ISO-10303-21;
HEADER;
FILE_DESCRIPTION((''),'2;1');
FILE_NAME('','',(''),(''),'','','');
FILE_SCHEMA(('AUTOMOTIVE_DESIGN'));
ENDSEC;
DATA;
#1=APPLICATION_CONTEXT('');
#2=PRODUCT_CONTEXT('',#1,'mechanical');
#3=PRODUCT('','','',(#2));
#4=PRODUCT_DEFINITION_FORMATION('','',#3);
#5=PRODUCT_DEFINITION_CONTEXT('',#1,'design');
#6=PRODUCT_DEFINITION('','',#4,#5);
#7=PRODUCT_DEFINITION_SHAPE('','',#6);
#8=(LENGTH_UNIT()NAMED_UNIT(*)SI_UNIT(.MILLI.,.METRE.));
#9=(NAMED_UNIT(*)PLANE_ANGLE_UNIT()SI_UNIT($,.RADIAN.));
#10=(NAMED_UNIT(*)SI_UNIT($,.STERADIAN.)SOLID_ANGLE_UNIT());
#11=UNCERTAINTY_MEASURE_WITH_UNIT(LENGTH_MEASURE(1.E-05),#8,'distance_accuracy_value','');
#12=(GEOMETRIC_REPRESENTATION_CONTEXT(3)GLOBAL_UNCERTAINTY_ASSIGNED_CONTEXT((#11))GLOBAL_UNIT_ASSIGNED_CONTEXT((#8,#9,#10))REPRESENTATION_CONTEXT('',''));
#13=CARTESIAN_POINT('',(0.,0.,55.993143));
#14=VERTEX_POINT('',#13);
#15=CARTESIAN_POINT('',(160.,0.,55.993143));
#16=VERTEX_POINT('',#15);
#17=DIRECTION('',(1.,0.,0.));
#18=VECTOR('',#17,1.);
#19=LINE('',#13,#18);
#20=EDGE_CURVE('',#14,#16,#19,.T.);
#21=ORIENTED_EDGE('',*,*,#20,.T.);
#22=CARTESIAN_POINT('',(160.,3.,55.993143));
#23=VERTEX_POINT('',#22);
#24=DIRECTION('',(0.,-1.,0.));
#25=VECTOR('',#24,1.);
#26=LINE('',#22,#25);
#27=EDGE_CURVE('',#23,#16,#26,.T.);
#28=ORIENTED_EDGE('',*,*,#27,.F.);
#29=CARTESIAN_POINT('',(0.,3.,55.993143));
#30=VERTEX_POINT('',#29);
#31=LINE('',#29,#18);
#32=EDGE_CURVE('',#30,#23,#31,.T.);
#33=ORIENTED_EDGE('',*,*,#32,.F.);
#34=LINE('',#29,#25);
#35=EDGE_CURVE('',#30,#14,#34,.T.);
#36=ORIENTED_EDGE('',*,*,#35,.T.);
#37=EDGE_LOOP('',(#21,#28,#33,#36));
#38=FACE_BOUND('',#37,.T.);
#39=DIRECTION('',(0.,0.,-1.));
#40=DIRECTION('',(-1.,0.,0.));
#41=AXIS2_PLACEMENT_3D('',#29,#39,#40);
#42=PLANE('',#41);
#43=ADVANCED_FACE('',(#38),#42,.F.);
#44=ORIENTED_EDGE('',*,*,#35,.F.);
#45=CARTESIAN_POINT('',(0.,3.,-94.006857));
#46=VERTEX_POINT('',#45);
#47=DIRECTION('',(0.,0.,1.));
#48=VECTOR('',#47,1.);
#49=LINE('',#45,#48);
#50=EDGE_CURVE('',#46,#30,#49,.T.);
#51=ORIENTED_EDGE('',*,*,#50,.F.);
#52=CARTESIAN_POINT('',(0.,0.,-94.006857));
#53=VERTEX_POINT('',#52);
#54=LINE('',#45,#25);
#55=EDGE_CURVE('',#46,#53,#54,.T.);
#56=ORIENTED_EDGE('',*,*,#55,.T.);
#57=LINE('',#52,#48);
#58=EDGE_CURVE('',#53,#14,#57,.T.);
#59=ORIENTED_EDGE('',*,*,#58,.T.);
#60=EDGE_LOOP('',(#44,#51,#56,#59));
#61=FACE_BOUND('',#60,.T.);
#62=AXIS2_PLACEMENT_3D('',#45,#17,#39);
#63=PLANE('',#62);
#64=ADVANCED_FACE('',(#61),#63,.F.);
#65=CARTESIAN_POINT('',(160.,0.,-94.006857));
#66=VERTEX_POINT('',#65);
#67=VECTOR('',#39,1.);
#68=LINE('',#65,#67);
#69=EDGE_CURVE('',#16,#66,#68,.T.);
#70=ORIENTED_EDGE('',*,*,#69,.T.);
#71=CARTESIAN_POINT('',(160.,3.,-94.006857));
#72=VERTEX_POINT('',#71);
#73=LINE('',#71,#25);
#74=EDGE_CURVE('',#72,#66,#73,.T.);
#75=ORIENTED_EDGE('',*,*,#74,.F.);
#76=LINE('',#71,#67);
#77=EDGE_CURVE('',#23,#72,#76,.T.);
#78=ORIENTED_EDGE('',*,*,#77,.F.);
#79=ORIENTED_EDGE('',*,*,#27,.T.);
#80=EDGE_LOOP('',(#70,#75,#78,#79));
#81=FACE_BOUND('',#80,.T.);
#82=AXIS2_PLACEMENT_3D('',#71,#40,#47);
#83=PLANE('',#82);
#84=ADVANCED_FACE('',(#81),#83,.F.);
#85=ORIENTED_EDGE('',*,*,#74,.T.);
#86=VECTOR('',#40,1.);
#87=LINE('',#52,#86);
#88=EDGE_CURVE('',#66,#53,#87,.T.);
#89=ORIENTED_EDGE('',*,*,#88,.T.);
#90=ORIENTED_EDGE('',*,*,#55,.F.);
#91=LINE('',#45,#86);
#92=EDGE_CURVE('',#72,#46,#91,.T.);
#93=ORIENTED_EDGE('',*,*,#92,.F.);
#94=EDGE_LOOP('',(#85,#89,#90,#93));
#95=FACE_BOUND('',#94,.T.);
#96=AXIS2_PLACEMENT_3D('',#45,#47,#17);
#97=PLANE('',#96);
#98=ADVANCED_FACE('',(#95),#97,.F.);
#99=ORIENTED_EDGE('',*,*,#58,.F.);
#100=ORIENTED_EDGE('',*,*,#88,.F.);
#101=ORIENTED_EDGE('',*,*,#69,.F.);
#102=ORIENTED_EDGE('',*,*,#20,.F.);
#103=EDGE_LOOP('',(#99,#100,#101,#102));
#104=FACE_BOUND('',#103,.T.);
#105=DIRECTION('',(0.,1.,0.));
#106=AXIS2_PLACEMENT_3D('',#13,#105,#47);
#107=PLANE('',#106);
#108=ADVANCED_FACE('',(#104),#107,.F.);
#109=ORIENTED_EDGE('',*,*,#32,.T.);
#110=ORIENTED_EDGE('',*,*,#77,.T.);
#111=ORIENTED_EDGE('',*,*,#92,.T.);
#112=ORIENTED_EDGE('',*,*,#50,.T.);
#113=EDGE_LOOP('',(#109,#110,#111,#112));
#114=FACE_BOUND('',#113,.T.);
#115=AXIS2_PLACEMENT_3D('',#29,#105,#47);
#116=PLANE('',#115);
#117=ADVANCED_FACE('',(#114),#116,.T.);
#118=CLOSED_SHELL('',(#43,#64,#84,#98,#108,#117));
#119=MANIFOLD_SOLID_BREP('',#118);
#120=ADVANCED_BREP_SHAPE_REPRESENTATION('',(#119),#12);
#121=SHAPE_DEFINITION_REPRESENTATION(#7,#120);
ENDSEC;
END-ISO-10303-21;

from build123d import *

# Parameters (mm, degrees)
SKETCH_1_W      = 160
SKETCH_1_H      = 150
EXTRUDE_1_DEPTH = 3


with BuildPart() as part:
    # Эскиз1 → Вытянуть1 (new body)
    with BuildSketch(Plane(origin=(0, 0, 0), x_dir=(1, 0, 0), z_dir=(0, 1, 0))):
        with Locations((80, 19.006856966)):
            Rectangle(SKETCH_1_W, SKETCH_1_H)
    extrude(amount=EXTRUDE_1_DEPTH)


solid = part.part
